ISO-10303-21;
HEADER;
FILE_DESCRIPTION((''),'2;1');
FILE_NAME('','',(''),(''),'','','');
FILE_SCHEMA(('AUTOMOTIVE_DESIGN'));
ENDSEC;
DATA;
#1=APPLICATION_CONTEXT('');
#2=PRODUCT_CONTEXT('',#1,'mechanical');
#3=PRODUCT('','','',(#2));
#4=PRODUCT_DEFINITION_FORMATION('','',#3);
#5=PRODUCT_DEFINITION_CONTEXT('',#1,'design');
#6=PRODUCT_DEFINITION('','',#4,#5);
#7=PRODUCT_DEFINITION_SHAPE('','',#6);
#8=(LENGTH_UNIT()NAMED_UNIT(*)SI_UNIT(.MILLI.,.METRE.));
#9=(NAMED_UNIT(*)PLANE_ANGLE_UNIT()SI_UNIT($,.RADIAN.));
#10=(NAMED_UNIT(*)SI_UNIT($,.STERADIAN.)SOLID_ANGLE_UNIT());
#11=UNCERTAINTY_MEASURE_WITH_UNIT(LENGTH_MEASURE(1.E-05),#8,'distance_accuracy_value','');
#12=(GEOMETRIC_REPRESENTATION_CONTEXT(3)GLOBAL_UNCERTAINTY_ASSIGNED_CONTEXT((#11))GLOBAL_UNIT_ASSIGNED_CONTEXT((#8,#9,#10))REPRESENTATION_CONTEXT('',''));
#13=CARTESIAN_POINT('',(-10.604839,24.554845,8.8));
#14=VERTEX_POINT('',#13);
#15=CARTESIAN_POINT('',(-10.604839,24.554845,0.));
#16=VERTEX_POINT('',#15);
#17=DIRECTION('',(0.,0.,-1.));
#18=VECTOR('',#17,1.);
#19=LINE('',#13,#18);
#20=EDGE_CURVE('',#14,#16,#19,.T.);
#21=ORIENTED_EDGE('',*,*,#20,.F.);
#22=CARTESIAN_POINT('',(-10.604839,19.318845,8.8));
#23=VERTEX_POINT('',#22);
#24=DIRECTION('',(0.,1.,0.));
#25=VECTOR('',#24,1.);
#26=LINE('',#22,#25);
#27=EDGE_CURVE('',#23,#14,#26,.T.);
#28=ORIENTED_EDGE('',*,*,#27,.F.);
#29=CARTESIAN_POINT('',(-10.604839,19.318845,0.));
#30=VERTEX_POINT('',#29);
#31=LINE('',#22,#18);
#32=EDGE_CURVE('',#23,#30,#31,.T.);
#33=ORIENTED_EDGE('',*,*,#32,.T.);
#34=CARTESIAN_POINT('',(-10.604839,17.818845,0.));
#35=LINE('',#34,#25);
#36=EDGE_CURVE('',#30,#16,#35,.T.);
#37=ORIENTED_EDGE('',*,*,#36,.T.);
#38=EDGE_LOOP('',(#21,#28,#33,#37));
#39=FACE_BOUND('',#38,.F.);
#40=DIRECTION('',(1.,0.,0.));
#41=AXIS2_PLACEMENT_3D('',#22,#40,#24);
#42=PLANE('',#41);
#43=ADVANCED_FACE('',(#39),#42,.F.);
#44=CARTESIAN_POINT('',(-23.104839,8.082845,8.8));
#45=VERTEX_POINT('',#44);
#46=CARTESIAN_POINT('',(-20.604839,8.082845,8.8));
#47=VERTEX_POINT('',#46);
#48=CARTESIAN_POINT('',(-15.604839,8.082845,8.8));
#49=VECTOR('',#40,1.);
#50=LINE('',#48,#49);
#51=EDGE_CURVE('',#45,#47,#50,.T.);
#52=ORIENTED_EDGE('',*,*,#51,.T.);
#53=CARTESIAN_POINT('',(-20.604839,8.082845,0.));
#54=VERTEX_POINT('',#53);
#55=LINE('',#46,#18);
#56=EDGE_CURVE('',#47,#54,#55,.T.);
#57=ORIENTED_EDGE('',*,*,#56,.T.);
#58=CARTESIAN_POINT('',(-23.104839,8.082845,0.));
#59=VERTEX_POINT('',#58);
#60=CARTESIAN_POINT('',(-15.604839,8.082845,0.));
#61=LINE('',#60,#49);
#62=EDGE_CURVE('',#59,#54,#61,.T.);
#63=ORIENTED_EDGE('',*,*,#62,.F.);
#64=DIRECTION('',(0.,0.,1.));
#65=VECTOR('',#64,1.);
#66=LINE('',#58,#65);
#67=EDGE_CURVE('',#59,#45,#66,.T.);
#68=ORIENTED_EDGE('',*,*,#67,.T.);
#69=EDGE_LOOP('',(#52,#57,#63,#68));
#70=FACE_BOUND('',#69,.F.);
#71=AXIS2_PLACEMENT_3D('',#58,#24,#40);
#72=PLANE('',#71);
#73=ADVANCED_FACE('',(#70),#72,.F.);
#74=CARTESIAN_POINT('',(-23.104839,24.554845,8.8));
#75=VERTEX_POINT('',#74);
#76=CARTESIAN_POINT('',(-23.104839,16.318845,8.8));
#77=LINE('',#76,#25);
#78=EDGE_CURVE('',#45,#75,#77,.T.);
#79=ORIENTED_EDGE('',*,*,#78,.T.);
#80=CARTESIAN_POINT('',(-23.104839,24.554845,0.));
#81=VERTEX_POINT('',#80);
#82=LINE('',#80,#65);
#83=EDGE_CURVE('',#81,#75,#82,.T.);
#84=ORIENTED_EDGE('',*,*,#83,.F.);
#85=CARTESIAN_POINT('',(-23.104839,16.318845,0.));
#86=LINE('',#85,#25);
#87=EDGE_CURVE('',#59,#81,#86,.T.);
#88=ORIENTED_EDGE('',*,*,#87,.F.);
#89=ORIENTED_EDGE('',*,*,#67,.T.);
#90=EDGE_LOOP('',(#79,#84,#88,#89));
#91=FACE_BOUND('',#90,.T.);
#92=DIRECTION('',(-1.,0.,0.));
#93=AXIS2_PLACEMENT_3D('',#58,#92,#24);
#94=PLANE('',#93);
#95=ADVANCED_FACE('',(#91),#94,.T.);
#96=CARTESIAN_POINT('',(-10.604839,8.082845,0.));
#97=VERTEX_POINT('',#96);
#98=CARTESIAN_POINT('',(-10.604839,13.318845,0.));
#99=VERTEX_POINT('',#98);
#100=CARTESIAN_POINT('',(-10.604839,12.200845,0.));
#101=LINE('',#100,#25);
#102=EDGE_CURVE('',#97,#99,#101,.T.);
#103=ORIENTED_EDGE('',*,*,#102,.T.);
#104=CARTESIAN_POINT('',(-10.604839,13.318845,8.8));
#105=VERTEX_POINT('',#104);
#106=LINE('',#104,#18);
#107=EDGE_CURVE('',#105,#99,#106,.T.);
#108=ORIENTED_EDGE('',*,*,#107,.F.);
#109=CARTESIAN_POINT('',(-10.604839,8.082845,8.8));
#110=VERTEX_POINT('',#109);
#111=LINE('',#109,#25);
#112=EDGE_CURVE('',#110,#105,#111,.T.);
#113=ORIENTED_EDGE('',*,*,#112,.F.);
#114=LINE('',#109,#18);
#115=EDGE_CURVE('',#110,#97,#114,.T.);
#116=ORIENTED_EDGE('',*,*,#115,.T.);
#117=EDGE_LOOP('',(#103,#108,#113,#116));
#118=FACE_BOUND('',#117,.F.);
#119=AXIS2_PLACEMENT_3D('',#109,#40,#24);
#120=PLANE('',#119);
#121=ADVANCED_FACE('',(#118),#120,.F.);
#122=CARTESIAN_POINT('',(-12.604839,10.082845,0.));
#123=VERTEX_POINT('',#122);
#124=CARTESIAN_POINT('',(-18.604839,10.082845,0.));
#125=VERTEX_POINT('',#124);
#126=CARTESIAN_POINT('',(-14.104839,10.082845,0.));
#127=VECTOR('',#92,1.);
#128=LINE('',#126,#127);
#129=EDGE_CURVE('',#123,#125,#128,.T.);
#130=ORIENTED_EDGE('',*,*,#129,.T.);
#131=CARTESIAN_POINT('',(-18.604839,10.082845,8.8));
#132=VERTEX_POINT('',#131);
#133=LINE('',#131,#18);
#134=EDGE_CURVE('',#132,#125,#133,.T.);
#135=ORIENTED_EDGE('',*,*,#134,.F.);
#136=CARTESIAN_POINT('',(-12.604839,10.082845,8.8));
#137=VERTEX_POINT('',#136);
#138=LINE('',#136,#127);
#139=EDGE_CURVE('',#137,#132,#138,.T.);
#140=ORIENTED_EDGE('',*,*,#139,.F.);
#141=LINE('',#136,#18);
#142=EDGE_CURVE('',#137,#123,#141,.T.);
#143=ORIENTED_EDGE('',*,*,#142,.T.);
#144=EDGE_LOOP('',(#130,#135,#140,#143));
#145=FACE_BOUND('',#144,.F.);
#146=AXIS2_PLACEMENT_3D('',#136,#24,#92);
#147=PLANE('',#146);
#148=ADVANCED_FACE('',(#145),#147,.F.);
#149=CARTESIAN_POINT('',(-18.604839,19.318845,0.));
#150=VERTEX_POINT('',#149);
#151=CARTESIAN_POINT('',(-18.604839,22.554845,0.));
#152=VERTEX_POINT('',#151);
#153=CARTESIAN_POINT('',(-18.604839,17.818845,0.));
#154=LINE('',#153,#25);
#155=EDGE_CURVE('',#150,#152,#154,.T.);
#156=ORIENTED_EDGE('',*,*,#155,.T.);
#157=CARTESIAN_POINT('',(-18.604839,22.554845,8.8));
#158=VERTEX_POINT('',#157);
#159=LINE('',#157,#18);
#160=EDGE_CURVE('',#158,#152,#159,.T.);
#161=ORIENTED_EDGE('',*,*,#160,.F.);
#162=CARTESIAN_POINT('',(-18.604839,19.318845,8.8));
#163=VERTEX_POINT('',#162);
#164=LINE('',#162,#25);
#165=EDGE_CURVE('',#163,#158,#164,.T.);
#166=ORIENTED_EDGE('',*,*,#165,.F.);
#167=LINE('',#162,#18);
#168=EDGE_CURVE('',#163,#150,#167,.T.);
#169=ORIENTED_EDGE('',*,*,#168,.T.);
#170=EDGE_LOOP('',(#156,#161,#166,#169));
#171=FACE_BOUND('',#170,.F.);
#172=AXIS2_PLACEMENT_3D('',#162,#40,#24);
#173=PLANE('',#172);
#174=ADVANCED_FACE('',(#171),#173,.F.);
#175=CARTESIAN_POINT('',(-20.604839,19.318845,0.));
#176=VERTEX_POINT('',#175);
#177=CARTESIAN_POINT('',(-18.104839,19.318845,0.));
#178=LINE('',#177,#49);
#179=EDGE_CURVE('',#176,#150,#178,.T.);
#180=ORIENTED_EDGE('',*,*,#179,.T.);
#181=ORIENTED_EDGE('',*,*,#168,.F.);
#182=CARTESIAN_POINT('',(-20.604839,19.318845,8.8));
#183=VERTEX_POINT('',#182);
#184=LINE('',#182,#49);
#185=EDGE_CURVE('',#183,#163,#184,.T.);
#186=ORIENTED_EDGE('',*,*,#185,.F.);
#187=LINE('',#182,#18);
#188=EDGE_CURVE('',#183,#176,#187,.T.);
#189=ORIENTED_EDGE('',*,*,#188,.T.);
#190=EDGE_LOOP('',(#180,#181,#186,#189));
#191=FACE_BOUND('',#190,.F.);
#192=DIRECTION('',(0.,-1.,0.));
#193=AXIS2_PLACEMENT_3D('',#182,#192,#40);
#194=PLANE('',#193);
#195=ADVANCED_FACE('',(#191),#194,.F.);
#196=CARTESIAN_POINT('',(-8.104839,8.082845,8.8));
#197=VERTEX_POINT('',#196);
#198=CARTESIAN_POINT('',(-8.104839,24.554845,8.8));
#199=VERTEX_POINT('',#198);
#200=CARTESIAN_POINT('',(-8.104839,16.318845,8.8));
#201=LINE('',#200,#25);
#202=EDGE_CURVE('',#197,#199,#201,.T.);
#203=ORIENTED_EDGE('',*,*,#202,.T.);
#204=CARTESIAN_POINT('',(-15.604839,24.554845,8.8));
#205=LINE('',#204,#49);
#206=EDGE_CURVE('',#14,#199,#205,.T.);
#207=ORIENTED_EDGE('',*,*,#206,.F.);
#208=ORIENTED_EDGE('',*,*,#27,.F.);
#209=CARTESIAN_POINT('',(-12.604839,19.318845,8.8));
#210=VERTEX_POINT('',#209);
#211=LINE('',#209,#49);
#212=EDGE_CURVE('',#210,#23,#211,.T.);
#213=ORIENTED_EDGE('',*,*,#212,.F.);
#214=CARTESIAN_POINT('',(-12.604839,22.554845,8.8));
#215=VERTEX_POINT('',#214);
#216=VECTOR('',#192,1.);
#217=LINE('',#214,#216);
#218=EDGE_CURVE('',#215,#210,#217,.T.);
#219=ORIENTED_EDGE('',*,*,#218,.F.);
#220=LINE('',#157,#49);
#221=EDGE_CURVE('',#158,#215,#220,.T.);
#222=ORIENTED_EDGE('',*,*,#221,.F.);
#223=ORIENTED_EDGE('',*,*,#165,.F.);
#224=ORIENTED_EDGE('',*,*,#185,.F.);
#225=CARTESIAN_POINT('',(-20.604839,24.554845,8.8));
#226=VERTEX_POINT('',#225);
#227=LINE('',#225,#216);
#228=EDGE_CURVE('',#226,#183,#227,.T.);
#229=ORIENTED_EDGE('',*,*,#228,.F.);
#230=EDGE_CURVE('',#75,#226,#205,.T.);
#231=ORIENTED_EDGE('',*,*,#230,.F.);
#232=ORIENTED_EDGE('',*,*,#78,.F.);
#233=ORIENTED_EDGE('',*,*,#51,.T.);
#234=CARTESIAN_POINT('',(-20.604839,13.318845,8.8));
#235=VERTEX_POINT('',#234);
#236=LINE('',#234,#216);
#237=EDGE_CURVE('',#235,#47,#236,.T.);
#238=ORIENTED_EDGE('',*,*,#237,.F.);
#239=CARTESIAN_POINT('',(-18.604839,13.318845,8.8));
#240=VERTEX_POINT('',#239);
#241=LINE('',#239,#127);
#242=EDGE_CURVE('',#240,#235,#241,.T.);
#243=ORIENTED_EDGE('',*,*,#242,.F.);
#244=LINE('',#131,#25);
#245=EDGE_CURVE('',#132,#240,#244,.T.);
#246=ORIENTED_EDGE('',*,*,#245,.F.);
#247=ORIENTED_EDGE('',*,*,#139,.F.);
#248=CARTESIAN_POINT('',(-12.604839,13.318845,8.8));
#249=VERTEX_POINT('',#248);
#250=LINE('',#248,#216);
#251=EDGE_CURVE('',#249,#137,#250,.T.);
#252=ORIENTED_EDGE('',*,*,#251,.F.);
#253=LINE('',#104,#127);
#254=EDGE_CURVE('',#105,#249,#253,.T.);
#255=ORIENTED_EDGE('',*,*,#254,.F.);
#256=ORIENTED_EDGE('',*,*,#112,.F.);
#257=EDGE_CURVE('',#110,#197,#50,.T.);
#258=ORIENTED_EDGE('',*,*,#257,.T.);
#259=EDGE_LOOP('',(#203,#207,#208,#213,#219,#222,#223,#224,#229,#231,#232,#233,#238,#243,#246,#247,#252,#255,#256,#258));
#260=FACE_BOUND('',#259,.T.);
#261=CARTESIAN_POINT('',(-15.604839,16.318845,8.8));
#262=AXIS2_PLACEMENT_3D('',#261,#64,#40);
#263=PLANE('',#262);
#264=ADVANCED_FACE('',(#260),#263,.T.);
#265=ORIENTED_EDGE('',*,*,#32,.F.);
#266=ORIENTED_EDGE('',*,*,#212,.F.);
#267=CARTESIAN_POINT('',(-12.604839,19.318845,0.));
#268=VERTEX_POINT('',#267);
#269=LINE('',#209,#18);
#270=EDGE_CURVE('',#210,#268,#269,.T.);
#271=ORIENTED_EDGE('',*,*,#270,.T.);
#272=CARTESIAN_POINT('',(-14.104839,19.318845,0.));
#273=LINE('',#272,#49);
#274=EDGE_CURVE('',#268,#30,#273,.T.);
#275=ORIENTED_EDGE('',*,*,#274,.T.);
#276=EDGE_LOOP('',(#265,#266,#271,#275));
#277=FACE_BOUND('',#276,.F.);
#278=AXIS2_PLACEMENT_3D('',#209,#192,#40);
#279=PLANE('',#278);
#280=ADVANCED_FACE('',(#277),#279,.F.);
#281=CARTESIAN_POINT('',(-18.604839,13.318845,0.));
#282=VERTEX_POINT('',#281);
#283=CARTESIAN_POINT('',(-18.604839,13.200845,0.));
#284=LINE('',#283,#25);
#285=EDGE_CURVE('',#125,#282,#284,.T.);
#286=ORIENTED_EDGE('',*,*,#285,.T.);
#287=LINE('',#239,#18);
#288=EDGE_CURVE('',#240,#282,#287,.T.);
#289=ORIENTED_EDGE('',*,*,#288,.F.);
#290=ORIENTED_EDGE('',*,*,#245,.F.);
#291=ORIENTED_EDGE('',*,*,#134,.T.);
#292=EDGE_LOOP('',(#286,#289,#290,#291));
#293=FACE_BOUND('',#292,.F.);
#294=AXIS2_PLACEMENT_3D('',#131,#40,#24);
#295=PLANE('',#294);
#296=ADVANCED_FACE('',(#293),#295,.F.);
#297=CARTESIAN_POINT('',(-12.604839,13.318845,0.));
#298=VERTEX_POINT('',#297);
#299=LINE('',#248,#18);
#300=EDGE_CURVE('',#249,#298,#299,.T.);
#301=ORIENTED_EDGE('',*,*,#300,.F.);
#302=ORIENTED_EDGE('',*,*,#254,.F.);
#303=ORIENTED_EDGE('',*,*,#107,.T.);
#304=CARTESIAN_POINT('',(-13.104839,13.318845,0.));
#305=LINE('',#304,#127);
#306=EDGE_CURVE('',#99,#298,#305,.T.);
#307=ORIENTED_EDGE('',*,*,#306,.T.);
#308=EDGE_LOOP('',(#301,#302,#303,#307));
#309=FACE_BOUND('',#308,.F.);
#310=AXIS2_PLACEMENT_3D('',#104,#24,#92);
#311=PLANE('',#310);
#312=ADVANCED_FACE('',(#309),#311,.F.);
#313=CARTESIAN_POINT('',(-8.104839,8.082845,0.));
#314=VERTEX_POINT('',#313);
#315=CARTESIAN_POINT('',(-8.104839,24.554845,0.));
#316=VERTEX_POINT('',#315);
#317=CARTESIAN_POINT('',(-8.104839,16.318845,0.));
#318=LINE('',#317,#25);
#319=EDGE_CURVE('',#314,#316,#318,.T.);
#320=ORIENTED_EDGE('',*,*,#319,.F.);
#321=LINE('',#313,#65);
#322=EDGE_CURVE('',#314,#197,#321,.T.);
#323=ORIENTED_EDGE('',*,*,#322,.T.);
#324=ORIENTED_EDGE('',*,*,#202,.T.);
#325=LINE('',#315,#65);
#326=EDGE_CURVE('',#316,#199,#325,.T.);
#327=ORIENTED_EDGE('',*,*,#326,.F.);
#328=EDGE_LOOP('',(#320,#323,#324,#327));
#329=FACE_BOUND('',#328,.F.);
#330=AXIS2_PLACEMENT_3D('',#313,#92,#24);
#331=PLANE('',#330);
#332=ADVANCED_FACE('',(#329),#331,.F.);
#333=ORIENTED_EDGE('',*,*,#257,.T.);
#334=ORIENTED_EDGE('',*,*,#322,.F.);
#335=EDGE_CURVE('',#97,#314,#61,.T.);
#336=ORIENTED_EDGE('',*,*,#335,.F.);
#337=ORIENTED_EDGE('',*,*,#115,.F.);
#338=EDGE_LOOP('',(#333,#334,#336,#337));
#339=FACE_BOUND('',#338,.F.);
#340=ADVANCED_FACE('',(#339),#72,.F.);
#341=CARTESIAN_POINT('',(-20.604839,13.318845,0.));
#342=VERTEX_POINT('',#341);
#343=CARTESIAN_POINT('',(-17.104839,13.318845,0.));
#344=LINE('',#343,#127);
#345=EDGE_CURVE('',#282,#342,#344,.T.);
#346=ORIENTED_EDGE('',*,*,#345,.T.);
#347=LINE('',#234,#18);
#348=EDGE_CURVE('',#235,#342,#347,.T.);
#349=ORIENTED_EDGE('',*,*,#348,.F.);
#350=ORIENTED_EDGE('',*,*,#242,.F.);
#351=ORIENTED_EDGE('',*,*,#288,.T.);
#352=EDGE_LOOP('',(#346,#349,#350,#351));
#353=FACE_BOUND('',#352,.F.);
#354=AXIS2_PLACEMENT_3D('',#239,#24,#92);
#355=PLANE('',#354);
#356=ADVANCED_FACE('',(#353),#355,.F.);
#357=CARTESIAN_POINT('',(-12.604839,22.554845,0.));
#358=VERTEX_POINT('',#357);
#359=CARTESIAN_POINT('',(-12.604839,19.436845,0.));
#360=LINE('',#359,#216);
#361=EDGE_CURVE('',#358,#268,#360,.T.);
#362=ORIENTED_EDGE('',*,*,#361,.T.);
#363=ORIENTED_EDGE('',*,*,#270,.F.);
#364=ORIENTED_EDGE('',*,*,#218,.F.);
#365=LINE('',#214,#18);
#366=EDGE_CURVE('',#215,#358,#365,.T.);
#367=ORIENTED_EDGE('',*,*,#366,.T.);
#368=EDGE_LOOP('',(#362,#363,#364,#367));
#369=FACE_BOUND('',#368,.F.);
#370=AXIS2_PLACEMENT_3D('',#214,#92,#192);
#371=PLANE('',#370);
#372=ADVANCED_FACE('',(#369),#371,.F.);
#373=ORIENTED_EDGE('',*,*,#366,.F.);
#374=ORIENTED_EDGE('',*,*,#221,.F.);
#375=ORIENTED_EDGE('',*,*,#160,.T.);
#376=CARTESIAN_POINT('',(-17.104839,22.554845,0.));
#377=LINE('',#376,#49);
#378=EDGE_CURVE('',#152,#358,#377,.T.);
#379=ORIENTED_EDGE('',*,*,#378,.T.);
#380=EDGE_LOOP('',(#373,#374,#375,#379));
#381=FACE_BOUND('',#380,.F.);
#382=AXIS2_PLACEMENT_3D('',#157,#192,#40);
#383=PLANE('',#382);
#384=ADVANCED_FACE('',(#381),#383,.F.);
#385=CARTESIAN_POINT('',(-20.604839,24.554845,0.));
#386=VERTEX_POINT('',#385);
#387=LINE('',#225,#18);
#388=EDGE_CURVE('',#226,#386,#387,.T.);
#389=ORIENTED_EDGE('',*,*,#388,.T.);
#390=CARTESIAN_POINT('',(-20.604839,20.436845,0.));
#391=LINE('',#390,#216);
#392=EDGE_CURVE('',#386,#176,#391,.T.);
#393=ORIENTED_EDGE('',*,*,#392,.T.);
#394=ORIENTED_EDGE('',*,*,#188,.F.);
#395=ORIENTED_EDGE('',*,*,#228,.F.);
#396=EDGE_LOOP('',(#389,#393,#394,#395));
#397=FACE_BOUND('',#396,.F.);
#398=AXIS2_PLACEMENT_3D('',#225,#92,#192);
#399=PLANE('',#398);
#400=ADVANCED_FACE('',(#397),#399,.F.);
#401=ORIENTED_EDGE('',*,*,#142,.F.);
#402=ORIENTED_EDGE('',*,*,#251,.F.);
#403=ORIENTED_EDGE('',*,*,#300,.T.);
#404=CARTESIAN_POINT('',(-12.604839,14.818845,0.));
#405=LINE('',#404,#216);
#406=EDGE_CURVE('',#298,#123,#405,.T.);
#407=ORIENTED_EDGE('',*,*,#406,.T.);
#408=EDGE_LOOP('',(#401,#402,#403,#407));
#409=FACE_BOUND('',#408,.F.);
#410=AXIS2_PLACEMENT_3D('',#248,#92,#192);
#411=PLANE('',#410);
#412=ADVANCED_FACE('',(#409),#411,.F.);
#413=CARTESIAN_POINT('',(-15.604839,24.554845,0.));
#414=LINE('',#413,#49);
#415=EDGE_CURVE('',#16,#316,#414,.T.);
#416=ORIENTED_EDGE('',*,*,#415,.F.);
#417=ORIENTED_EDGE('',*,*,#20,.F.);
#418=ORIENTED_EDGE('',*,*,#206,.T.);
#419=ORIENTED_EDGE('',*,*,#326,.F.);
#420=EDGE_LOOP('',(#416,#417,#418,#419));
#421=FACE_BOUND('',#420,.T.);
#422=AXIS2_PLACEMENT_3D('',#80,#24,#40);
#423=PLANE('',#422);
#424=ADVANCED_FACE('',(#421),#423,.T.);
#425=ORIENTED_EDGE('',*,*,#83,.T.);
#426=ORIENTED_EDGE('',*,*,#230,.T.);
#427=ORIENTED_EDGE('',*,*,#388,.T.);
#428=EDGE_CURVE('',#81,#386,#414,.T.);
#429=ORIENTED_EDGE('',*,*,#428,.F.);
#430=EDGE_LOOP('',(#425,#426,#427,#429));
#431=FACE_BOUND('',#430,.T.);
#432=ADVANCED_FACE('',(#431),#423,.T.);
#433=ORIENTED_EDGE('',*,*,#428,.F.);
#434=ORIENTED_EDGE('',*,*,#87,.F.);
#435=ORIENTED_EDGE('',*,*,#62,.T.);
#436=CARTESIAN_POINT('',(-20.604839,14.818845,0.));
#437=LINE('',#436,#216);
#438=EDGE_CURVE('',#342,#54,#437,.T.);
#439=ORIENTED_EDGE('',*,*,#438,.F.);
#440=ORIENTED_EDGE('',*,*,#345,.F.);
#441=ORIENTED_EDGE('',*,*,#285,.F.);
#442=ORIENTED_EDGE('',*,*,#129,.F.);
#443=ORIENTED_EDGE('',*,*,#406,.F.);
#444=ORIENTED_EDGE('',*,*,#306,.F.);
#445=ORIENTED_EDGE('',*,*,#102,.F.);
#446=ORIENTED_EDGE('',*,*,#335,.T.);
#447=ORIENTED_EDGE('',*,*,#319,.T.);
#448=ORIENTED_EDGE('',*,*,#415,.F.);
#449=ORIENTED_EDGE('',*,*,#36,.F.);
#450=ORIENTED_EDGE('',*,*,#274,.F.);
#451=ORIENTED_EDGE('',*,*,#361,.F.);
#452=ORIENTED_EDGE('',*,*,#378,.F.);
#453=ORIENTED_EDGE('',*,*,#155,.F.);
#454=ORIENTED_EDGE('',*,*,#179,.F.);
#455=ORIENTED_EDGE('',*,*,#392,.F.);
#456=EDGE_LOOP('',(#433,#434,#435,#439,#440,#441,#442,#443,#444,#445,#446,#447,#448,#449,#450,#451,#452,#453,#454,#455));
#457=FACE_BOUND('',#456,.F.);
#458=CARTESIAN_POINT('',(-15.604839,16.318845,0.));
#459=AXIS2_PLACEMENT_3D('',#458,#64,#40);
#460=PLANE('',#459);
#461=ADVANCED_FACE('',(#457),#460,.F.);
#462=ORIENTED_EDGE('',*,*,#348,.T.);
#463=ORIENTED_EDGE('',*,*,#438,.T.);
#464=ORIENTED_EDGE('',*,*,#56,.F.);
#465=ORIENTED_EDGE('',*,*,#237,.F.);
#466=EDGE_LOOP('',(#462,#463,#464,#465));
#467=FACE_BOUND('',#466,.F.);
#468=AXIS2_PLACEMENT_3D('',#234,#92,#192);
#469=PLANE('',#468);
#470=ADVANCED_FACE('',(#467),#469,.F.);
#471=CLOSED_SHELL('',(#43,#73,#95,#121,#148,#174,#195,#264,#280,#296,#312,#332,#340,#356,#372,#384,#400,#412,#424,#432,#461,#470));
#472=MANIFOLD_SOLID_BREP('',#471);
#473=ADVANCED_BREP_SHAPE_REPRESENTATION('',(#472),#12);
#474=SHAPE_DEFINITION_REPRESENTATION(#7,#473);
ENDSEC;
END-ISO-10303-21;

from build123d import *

# Parameters (mm, degrees)
F0_W     = 15
F0_H     = 16.472
F1_DEPTH = 8.8
F3_DEPTH = 25


with BuildPart() as f1:
    # F0 (on Top) → F1 (new body)
    with BuildSketch(Plane.XY):
        with Locations((-15.604839, 16.318845)):
            Rectangle(F0_W, F0_H)
    extrude(amount=F1_DEPTH)

    # F2 (on face) → F3 (cut)
    with BuildSketch(Plane.XY.offset(8.8)):
        Polygon((-20.604839, 13.318845), (-20.604839, 8.082845), (-10.604839, 8.082845), (-10.604839, 13.318845), (-12.604839, 13.318845), (-12.604839, 10.082845), (-18.604839, 10.082845), (-18.604839, 13.318845), align=None)
        Polygon((-10.604839, 24.554845), (-20.604839, 24.554845), (-20.604839, 19.318845), (-18.604839, 19.318845), (-18.604839, 22.554845), (-12.604839, 22.554845), (-12.604839, 19.318845), (-10.604839, 19.318845), align=None)
    extrude(amount=-F3_DEPTH, mode=Mode.SUBTRACT)


solid = f1.part
